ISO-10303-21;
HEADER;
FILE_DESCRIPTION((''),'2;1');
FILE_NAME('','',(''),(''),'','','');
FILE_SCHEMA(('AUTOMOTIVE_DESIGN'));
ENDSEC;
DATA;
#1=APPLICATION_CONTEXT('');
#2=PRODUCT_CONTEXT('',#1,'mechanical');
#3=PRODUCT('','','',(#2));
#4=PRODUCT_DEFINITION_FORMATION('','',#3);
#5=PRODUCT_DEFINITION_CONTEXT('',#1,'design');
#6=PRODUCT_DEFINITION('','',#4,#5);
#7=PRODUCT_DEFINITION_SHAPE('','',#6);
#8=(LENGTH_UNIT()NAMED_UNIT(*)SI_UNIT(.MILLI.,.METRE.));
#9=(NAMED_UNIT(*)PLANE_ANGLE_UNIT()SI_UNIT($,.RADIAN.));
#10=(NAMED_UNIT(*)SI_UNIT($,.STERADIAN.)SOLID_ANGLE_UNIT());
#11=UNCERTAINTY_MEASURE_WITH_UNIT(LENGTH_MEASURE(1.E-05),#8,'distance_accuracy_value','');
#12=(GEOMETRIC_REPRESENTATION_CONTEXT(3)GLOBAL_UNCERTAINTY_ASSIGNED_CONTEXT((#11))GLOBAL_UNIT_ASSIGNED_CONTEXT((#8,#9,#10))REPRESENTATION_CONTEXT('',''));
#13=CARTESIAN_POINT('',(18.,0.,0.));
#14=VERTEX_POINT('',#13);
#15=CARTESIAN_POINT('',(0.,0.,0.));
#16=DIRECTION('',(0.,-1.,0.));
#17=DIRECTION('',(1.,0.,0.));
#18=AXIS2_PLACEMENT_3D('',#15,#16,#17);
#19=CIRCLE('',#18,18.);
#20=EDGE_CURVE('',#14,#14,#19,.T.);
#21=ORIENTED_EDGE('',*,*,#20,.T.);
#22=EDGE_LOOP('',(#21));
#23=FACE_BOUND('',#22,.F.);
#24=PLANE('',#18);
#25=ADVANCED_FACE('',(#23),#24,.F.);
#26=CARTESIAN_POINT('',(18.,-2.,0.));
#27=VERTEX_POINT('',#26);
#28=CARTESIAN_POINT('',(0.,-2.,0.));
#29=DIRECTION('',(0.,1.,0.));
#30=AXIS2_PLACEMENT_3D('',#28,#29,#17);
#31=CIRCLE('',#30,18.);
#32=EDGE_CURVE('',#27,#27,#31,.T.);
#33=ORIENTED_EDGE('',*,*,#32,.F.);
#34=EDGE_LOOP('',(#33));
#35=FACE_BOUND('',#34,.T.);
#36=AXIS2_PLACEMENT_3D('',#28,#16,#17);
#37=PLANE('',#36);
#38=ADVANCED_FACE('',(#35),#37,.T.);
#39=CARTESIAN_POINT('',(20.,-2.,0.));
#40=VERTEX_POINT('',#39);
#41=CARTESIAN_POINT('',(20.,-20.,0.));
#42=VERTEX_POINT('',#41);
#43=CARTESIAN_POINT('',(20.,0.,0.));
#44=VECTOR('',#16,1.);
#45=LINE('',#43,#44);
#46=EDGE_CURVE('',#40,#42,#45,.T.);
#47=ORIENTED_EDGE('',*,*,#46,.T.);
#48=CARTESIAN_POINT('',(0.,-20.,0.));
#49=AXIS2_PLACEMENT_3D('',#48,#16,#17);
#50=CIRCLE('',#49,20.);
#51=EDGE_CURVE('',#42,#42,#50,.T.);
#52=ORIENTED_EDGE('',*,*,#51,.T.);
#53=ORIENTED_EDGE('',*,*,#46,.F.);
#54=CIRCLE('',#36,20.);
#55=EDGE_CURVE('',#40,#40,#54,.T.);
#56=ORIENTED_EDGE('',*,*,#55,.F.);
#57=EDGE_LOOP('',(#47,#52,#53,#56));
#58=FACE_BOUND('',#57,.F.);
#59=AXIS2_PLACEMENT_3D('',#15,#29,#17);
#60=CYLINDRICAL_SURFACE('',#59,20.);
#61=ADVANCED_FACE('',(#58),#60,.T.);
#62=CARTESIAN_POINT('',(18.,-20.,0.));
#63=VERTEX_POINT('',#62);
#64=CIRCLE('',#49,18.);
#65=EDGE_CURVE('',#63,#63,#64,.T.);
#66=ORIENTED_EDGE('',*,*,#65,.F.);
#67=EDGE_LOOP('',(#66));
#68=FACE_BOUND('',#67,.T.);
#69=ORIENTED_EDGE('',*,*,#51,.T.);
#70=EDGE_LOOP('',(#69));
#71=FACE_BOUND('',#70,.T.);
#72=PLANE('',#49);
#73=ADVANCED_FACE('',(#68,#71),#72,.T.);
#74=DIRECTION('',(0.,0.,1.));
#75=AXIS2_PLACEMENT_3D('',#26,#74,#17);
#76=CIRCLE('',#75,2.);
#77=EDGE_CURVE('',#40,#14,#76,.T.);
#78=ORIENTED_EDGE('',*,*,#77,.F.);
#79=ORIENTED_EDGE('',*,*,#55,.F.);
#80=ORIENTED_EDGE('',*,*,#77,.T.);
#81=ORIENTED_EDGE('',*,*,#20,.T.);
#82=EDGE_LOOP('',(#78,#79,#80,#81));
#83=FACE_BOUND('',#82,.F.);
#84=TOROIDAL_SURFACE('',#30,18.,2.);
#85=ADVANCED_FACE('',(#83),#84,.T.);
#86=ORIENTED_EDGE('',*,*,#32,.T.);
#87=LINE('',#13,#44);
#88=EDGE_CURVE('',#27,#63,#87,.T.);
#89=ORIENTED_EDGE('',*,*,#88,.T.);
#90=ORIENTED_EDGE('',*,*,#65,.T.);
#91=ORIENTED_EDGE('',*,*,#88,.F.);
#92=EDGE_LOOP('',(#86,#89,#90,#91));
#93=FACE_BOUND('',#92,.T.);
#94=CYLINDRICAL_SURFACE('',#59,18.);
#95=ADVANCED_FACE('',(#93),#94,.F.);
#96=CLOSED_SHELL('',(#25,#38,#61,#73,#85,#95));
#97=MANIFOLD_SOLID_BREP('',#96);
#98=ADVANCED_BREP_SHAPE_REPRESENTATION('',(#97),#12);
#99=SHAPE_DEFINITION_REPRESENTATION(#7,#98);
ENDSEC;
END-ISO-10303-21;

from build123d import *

# Parameters (mm, degrees)
F0_R     = 20
F1_DEPTH = 20
F2_T     = -2
F3_R     = 2


with BuildPart() as f1:
    # F0 (on Front) → F1 (new body)
    with BuildSketch(Plane.XZ):
        Circle(F0_R)
    extrude(amount=F1_DEPTH)

    # F2
    f2_openings = [f1.faces().sort_by_distance(p)[0] for p in [
        (0, -20, 0),
    ]]
    offset(amount=F2_T, openings=f2_openings)

    # F3
    f3_edges = [f1.edges().sort_by_distance(p)[0] for p in [
        (-20, 0, 0),
    ]]
    fillet(f3_edges, radius=F3_R)


solid = f1.part
